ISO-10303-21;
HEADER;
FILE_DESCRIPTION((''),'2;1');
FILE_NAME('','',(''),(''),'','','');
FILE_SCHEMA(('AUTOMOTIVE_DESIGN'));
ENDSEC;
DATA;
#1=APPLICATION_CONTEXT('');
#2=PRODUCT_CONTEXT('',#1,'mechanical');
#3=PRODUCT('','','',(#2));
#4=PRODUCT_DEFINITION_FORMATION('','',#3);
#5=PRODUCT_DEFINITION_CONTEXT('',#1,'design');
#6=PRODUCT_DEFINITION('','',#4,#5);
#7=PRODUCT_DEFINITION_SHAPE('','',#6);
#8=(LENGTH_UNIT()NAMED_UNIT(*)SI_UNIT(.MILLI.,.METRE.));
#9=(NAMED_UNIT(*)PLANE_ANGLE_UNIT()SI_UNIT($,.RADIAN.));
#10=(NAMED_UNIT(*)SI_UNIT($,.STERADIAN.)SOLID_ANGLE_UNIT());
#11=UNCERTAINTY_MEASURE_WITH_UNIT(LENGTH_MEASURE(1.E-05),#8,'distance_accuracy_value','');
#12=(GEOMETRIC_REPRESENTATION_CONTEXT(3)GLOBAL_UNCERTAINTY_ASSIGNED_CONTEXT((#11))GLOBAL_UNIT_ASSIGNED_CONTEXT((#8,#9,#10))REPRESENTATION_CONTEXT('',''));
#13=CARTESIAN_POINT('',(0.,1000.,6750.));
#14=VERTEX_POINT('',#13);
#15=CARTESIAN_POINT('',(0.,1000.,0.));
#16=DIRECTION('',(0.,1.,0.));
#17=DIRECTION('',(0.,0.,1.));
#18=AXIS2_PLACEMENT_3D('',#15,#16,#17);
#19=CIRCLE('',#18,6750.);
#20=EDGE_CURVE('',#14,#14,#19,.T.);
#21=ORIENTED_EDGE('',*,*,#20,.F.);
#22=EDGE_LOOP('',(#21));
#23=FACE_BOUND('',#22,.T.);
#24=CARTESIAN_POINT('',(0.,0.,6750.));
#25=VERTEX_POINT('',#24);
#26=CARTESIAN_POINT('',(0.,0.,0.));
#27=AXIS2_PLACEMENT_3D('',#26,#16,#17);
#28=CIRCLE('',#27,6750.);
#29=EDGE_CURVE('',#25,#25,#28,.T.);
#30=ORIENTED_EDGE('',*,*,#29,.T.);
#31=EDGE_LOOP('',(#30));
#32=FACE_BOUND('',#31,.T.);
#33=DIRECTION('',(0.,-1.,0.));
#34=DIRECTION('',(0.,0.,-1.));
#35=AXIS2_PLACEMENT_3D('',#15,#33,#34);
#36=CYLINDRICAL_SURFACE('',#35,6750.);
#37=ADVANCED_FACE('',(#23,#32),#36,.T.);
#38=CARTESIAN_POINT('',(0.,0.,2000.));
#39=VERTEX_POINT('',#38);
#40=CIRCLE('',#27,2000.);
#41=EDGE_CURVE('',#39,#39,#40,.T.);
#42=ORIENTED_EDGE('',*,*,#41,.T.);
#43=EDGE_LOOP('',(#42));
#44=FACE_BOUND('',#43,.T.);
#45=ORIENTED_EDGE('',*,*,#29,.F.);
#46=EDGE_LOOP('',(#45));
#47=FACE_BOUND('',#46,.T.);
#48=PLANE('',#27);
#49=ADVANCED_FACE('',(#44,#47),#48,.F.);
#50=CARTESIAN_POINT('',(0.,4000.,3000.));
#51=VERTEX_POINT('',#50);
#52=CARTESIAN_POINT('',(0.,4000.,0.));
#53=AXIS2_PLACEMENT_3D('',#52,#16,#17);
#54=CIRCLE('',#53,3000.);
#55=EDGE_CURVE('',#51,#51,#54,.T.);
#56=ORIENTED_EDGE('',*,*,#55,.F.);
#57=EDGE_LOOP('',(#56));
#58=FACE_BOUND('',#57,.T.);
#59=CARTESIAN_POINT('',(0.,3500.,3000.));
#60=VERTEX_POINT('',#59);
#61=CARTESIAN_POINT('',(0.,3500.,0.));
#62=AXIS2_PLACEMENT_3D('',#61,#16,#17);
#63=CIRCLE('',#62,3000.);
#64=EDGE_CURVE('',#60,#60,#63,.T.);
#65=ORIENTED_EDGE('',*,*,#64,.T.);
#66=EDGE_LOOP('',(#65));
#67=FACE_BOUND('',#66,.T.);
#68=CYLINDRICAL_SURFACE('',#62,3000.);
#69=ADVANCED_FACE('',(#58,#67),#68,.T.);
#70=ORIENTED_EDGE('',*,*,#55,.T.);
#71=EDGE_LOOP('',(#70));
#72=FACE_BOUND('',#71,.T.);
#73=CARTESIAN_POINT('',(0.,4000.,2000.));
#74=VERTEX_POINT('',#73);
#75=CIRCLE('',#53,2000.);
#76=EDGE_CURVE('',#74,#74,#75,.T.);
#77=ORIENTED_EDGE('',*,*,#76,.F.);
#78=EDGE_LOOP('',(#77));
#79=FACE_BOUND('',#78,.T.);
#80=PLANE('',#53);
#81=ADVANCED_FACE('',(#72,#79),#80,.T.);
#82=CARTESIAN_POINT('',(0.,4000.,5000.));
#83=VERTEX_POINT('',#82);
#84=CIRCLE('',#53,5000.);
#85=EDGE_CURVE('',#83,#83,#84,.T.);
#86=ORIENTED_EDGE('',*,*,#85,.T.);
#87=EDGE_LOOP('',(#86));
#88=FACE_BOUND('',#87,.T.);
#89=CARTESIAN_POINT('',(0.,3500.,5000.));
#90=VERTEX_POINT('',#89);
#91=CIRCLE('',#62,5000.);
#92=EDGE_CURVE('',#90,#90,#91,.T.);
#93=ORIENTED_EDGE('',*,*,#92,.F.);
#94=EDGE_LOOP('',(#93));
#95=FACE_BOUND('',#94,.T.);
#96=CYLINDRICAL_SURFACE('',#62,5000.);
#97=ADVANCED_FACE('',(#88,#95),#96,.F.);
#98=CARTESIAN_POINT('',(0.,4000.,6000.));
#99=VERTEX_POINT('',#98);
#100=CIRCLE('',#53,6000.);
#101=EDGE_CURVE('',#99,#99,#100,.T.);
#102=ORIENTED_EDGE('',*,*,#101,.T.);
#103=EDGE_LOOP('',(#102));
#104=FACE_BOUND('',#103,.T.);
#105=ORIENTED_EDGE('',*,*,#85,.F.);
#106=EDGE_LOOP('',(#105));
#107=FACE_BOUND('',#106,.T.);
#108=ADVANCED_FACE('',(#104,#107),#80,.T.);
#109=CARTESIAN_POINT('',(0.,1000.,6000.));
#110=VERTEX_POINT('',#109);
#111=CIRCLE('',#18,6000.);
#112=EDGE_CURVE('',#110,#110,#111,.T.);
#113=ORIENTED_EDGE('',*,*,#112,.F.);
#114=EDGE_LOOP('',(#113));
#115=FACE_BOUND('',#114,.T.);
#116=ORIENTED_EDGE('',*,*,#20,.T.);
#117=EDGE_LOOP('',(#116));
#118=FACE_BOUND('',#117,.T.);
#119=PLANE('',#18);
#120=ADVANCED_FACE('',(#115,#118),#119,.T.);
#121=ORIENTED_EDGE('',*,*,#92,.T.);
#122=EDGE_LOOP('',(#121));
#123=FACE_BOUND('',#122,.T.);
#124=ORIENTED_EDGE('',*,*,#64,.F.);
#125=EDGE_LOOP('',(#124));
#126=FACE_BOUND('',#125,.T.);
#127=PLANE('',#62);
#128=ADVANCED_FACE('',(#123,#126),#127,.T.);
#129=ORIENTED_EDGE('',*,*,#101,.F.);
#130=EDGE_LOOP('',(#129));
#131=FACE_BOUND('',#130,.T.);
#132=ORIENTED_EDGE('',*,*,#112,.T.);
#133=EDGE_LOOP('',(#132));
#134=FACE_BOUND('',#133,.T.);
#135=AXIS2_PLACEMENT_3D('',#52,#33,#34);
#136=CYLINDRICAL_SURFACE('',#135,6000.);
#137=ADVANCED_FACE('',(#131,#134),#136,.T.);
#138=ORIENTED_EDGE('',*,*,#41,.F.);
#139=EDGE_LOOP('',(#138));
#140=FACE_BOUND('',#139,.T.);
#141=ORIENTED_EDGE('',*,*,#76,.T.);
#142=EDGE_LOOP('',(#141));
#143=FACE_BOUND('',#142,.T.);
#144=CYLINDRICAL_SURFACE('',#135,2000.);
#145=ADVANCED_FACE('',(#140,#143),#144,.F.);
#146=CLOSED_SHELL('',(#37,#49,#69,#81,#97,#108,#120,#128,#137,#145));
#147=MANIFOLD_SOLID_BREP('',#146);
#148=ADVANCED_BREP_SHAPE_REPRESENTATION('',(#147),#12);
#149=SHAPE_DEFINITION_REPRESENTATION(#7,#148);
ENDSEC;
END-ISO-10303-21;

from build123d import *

# Parameters (mm, degrees)
SKETCH_1_R          = 6000
SKETCH_1_R_2        = 2000
EXTRUDE_1_DEPTH     = 4000
SKETCH_1_3_R        = 6750
SKETCH_1_3_R_2      = 6000
EXTRUDE_2_DEPTH     = 1000
SKETCH_2_R          = 5000
SKETCH_2_R_2        = 3000
CUT_EXTRUDE_1_DEPTH = 500


with BuildPart() as part:
    # 草圖1 → 填料-伸長1 (new body)
    with BuildSketch(Plane(origin=(0, 0, 0), x_dir=(1, 0, 0), z_dir=(0, 1, 0))):
        Circle(SKETCH_1_R)
        Circle(SKETCH_1_R_2, mode=Mode.SUBTRACT)
    extrude(amount=EXTRUDE_1_DEPTH)

    # 草圖1<3> → 填料-伸長2 (add)
    with BuildSketch(Plane(origin=(0, 0, 0), x_dir=(1, 0, 0), z_dir=(0, 1, 0))):
        Circle(SKETCH_1_3_R)
        Circle(SKETCH_1_3_R_2, mode=Mode.SUBTRACT)
    extrude(amount=EXTRUDE_2_DEPTH)

    # 草圖2 → 除料-伸長1 (cut)
    with BuildSketch(Plane(origin=(0, 4000, 0), x_dir=(1, 0, 0), z_dir=(0, 1, 0))):
        Circle(SKETCH_2_R)
        Circle(SKETCH_2_R_2, mode=Mode.SUBTRACT)
    extrude(amount=-CUT_EXTRUDE_1_DEPTH, mode=Mode.SUBTRACT)


solid = part.part
